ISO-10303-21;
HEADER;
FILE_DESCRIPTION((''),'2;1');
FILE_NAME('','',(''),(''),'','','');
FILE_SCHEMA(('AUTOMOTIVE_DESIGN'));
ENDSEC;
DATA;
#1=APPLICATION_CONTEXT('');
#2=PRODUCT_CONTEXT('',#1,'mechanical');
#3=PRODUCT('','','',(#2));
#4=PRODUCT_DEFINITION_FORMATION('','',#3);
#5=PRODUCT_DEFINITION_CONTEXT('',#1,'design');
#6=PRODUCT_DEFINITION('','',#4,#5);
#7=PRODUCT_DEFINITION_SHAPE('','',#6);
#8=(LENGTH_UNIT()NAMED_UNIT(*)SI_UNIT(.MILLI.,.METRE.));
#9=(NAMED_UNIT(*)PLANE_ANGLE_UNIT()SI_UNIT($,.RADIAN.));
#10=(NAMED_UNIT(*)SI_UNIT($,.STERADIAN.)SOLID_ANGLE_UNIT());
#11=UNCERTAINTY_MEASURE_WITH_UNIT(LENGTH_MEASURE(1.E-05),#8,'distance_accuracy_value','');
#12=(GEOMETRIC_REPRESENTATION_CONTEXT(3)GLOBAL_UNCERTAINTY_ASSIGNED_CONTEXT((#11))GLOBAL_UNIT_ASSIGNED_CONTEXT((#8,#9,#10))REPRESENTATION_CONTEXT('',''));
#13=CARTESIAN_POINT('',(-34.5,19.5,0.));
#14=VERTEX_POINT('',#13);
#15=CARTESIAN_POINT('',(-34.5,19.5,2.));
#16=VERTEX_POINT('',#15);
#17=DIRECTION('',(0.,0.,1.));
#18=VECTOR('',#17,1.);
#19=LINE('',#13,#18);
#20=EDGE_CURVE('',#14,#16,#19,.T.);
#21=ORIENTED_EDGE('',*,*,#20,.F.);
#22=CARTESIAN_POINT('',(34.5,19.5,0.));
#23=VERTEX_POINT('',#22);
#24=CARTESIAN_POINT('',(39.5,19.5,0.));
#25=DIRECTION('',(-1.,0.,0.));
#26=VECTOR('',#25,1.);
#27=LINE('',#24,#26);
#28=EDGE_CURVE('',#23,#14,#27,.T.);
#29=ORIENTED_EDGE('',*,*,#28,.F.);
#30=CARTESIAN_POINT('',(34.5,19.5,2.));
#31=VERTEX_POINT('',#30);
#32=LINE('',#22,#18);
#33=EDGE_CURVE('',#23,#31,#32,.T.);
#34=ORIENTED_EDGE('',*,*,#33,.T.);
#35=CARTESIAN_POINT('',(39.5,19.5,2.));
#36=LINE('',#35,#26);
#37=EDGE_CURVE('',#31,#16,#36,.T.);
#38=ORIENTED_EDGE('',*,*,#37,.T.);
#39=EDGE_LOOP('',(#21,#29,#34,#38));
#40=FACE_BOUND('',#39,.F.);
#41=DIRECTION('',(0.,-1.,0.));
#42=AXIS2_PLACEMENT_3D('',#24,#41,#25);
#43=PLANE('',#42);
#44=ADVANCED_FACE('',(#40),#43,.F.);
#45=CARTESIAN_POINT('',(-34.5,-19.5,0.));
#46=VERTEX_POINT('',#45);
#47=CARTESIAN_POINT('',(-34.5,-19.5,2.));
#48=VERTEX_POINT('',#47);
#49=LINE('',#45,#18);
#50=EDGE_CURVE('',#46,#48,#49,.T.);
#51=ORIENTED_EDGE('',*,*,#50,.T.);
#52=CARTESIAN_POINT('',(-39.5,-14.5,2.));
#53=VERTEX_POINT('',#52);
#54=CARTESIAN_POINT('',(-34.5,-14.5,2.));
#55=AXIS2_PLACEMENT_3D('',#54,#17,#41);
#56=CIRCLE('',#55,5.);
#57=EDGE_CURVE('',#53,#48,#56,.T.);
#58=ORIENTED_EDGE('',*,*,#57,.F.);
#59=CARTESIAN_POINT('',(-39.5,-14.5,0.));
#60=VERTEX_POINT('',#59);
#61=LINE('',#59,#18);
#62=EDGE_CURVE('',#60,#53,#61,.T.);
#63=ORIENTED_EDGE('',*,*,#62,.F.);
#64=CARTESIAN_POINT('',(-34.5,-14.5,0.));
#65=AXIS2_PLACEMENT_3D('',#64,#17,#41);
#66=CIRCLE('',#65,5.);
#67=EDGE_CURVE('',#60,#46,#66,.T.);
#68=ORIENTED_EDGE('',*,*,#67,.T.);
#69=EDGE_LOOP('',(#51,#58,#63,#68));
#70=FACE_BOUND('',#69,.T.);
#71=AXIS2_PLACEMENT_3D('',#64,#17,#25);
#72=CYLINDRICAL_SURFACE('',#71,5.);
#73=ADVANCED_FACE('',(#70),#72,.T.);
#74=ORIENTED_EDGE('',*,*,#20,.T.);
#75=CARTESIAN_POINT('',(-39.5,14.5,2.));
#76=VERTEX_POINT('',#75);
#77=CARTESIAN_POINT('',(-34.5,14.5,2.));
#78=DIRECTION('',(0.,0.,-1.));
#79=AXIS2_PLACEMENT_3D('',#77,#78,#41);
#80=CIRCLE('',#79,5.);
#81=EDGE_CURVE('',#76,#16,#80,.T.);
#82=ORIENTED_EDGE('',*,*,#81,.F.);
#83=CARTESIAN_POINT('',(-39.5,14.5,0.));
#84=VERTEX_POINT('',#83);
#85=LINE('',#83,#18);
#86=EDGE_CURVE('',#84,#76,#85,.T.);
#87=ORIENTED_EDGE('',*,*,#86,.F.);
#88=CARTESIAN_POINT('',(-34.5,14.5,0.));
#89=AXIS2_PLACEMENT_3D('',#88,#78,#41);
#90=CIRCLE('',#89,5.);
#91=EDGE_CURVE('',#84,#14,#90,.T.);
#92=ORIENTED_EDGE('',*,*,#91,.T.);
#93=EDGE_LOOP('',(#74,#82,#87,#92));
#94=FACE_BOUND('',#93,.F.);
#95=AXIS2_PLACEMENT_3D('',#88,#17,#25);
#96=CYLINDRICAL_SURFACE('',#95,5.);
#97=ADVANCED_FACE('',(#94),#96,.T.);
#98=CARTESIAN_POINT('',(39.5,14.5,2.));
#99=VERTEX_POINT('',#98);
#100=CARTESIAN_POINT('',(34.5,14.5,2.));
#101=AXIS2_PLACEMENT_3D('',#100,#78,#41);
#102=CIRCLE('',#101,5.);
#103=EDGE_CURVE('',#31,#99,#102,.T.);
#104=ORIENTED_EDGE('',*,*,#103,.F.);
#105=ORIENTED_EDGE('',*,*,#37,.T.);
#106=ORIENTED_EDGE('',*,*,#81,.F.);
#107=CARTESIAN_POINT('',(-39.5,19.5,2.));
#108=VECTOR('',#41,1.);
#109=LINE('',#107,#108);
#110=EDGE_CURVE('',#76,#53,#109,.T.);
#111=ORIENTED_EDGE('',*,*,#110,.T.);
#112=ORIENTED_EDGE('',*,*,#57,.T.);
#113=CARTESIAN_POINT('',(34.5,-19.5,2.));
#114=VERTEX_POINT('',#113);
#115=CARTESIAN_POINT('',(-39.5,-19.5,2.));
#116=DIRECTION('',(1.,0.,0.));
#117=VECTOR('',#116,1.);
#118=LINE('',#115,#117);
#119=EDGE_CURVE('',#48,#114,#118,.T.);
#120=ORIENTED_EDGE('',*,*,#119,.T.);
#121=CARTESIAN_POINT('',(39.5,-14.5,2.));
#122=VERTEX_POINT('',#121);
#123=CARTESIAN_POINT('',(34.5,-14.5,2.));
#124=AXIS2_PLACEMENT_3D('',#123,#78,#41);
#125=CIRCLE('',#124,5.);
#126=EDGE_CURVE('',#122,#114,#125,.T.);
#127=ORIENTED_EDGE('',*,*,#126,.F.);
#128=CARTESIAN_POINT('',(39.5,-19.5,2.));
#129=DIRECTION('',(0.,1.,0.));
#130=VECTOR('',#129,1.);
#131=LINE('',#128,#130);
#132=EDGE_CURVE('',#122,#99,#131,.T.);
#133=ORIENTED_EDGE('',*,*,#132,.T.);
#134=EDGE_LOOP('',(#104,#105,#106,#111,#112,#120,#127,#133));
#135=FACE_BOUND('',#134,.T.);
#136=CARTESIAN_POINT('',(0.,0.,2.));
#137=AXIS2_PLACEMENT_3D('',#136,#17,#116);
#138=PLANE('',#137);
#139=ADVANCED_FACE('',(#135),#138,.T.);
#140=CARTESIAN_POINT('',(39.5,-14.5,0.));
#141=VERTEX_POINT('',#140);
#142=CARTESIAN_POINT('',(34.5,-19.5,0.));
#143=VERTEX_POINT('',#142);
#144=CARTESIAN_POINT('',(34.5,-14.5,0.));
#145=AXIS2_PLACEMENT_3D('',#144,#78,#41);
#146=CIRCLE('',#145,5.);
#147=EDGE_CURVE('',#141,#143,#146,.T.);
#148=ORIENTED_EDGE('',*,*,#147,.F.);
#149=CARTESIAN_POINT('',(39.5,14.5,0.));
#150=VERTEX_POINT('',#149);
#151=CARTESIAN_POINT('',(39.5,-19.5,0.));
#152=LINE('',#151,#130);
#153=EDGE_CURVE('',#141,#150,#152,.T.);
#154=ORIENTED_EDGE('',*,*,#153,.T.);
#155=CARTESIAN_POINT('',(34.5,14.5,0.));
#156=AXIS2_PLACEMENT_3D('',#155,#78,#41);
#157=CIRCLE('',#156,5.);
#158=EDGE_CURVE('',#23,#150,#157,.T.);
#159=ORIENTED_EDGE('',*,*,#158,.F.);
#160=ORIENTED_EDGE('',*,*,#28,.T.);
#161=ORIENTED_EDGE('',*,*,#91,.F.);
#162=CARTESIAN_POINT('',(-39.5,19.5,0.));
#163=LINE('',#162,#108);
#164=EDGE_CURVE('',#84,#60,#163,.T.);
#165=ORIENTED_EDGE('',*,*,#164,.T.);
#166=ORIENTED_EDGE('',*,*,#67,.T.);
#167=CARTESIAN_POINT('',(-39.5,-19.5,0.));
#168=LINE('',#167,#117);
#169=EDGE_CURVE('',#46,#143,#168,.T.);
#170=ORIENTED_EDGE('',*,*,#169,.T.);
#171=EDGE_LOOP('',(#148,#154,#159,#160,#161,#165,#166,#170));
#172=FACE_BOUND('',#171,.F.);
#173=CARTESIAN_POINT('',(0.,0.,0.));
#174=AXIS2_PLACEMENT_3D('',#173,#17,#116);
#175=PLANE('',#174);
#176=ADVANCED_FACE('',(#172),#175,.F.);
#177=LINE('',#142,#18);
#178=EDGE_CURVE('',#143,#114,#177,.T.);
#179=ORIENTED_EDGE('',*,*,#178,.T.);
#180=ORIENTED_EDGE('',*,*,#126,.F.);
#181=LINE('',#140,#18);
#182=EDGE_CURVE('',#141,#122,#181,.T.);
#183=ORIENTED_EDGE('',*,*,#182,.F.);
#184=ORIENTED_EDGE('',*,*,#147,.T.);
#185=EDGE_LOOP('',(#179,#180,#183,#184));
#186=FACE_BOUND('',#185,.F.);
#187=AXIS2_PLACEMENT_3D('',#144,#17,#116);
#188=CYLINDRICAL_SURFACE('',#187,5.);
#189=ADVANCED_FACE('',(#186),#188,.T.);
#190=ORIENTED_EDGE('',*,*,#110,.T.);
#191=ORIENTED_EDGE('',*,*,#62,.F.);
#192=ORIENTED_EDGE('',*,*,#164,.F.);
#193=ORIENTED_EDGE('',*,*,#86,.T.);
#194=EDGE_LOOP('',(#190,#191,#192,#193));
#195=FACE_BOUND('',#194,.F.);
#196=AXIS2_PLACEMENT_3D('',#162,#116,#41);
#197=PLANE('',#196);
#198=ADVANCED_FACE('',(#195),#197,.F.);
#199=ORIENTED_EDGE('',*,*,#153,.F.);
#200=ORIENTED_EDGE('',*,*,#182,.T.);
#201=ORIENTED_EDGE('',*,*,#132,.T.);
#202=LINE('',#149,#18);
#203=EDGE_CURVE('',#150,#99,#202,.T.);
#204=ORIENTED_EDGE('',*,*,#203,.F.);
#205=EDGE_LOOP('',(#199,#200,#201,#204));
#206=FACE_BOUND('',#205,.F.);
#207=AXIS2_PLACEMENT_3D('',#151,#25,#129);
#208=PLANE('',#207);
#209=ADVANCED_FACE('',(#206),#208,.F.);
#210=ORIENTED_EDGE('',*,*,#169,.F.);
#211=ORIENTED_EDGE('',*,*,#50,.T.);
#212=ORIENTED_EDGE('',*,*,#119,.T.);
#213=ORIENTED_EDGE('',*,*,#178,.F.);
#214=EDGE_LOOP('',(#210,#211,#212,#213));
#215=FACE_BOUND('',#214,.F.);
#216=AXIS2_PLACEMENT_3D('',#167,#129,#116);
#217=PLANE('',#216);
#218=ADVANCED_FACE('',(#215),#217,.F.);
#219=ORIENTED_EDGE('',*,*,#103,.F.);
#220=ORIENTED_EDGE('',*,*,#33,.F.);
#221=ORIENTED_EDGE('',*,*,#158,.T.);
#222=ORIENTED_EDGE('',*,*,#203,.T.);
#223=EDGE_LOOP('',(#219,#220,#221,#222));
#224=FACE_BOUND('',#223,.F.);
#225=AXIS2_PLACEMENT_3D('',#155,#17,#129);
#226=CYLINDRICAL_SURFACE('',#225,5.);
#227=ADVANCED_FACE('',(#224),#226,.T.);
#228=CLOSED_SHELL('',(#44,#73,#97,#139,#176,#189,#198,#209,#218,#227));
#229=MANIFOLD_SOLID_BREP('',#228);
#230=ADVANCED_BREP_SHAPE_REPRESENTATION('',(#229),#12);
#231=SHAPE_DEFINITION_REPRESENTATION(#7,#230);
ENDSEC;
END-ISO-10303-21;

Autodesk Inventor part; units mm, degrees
ref_plane "YZ Plane" through (0, 0, 0) normal (1, 0, 0) x (0, 1, 0)
ref_plane "XZ Plane" through (0, 0, 0) normal (0, 1, 0) x (-1, 0, 0)
ref_plane "XY Plane" through (0, 0, 0) normal (0, 0, 1) x (1, 0, 0)
sketch "Sketch1" plane through (0, 0, 0) normal (0, 0, 1) x (1, 0, 0)
  line L0 (-39.5, -19.5) -> (39.5, -19.5)
  line L1 (39.5, -19.5) -> (39.5, 19.5)
  line L2 (39.5, 19.5) -> (-39.5, 19.5)
  line L3 (-39.5, 19.5) -> (-39.5, -19.5)
  line L4 (-39.5, -19.5) -> (39.5, 19.5) construction
  line L5 (39.5, -19.5) -> (-39.5, 19.5) construction
  point P0 (0, 0)
  dimension "d0" = 79
  dimension "d1" = 39
extrude "Extrusion1" add sketch "Sketch1" along normal blind 2
fillet "Fillet1" radius 5 4 edges at (39.5, -19.5, 1) (39.5, 19.5, 1) (-39.5, 19.5, 1) (-39.5, -19.5, 1)
sketch "Sketch2" plane through (0, 0, 2) normal (0, 0, 1) x (1, 0, 0)
  arc A0 (-39.5, -14.5) -> (-34.5, -19.5) centre (-34.5, -14.5) ccw projected
  line L0 (-34.5, -19.5) -> (34.5, -19.5) projected
  arc A1 (34.5, -19.5) -> (39.5, -14.5) centre (34.5, -14.5) ccw projected
  line L1 (39.5, -14.5) -> (39.5, 14.5) projected
  arc A2 (39.5, 14.5) -> (34.5, 19.5) centre (34.5, 14.5) ccw projected
  line L2 (34.5, 19.5) -> (-34.5, 19.5) projected
  arc A3 (-34.5, 19.5) -> (-39.5, 14.5) centre (-34.5, 14.5) ccw projected
  line L3 (-39.5, 14.5) -> (-39.5, -14.5) projected
  line L4 (-28.8222, 12.3619) -> (28.8222, 12.3619) construction
  line L5 (28.8222, 12.3619) -> (28.8222, -11.0912) construction
  line L6 (28.8222, -11.0912) -> (-28.8222, -11.0912) construction
  line L7 (-28.8222, -11.0912) -> (-28.8222, 12.3619) construction
  point P0 (0, 0)
  dimension "d5" = 57.6443
  dimension "d6" = 79
  dimension "d7" = 10.6778
equation "\"d7\" = -0.5 * d5 + 0.5 * d6"
properties part number "FrontLogo"
